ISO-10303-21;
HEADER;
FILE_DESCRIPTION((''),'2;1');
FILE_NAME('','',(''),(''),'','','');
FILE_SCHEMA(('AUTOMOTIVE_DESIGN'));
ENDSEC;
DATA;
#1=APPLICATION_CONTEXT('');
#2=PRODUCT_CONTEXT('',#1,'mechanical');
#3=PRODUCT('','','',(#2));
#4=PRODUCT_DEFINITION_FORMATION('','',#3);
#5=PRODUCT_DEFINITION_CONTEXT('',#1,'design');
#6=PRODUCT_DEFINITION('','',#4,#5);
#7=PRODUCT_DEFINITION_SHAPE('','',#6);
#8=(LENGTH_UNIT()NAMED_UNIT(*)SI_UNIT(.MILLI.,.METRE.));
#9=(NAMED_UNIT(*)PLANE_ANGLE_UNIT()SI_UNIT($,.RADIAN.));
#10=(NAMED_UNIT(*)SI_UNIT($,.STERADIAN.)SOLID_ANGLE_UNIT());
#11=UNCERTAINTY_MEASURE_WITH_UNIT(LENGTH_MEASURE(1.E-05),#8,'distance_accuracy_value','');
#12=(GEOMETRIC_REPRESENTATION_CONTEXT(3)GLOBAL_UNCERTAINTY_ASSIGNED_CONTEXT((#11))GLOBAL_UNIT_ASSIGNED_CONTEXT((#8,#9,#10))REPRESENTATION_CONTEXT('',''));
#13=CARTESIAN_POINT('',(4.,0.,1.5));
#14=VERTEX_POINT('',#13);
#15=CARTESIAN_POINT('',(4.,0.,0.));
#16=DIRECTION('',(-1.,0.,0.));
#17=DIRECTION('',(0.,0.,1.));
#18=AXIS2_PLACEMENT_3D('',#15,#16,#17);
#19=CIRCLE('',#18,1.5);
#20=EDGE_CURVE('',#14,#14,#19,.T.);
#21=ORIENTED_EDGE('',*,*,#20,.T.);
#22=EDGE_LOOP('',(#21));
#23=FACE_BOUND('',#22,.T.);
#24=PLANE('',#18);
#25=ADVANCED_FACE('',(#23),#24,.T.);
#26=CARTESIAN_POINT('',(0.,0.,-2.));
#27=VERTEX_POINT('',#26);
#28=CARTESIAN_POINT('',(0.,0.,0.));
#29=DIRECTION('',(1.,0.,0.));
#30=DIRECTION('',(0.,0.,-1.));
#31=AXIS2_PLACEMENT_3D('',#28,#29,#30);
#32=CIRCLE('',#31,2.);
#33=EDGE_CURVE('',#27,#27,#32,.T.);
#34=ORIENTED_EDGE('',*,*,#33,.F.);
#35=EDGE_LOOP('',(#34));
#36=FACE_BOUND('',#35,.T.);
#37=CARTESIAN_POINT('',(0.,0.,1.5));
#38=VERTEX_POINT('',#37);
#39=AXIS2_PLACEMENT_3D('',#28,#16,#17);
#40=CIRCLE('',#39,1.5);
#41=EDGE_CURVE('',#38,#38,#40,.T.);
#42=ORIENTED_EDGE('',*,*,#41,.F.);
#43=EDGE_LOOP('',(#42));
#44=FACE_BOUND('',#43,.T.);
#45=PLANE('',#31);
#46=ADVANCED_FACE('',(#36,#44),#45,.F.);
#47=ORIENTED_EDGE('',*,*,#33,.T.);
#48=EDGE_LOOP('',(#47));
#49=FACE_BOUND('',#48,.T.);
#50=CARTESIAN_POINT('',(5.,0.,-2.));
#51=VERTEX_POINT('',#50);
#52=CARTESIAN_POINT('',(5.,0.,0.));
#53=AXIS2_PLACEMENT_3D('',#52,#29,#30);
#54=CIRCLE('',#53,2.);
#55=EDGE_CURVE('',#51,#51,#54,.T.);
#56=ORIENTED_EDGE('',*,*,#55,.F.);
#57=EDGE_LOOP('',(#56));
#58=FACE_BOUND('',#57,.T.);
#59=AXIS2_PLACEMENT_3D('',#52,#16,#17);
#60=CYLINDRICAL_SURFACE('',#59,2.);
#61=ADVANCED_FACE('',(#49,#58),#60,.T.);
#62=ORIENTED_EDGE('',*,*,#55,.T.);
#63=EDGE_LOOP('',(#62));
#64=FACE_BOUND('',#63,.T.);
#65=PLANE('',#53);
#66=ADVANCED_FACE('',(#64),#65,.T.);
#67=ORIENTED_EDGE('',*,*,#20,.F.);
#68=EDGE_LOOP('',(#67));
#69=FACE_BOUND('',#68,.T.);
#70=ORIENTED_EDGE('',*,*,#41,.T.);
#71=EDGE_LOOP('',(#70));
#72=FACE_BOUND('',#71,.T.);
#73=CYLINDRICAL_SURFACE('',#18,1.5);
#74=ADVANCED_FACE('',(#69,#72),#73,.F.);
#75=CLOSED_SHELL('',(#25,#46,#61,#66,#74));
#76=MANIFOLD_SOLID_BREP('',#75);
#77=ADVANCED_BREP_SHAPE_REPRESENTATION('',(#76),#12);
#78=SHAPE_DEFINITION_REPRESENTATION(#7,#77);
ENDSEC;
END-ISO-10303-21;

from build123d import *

# Parameters (mm, degrees)
SKIZZE1_R                       = 2
AUFSATZ_LINEAR_AUSTRAGEN1_DEPTH = 5
SKIZZE2_R                       = 1.5
SCHNITT_LINEAR_AUSTRAGEN1_DEPTH = 4


with BuildPart() as part:
    # Skizze1 → Aufsatz-Linear austragen1 (new body)
    with BuildSketch(Plane.YZ):
        with Locations(Location((0, 0, 0), (0, 0, 270))):
            Circle(SKIZZE1_R)
    extrude(amount=AUFSATZ_LINEAR_AUSTRAGEN1_DEPTH)

    # Skizze2 → Schnitt-Linear austragen1 (cut)
    with BuildSketch(Plane(origin=(0, 0, 0), x_dir=(0, -1, 0), z_dir=(-1, 0, 0))):
        with Locations(Location((0, 0, 0), (0, 0, 90))):
            Circle(SKIZZE2_R)
    extrude(amount=-SCHNITT_LINEAR_AUSTRAGEN1_DEPTH, mode=Mode.SUBTRACT)


solid = part.part
